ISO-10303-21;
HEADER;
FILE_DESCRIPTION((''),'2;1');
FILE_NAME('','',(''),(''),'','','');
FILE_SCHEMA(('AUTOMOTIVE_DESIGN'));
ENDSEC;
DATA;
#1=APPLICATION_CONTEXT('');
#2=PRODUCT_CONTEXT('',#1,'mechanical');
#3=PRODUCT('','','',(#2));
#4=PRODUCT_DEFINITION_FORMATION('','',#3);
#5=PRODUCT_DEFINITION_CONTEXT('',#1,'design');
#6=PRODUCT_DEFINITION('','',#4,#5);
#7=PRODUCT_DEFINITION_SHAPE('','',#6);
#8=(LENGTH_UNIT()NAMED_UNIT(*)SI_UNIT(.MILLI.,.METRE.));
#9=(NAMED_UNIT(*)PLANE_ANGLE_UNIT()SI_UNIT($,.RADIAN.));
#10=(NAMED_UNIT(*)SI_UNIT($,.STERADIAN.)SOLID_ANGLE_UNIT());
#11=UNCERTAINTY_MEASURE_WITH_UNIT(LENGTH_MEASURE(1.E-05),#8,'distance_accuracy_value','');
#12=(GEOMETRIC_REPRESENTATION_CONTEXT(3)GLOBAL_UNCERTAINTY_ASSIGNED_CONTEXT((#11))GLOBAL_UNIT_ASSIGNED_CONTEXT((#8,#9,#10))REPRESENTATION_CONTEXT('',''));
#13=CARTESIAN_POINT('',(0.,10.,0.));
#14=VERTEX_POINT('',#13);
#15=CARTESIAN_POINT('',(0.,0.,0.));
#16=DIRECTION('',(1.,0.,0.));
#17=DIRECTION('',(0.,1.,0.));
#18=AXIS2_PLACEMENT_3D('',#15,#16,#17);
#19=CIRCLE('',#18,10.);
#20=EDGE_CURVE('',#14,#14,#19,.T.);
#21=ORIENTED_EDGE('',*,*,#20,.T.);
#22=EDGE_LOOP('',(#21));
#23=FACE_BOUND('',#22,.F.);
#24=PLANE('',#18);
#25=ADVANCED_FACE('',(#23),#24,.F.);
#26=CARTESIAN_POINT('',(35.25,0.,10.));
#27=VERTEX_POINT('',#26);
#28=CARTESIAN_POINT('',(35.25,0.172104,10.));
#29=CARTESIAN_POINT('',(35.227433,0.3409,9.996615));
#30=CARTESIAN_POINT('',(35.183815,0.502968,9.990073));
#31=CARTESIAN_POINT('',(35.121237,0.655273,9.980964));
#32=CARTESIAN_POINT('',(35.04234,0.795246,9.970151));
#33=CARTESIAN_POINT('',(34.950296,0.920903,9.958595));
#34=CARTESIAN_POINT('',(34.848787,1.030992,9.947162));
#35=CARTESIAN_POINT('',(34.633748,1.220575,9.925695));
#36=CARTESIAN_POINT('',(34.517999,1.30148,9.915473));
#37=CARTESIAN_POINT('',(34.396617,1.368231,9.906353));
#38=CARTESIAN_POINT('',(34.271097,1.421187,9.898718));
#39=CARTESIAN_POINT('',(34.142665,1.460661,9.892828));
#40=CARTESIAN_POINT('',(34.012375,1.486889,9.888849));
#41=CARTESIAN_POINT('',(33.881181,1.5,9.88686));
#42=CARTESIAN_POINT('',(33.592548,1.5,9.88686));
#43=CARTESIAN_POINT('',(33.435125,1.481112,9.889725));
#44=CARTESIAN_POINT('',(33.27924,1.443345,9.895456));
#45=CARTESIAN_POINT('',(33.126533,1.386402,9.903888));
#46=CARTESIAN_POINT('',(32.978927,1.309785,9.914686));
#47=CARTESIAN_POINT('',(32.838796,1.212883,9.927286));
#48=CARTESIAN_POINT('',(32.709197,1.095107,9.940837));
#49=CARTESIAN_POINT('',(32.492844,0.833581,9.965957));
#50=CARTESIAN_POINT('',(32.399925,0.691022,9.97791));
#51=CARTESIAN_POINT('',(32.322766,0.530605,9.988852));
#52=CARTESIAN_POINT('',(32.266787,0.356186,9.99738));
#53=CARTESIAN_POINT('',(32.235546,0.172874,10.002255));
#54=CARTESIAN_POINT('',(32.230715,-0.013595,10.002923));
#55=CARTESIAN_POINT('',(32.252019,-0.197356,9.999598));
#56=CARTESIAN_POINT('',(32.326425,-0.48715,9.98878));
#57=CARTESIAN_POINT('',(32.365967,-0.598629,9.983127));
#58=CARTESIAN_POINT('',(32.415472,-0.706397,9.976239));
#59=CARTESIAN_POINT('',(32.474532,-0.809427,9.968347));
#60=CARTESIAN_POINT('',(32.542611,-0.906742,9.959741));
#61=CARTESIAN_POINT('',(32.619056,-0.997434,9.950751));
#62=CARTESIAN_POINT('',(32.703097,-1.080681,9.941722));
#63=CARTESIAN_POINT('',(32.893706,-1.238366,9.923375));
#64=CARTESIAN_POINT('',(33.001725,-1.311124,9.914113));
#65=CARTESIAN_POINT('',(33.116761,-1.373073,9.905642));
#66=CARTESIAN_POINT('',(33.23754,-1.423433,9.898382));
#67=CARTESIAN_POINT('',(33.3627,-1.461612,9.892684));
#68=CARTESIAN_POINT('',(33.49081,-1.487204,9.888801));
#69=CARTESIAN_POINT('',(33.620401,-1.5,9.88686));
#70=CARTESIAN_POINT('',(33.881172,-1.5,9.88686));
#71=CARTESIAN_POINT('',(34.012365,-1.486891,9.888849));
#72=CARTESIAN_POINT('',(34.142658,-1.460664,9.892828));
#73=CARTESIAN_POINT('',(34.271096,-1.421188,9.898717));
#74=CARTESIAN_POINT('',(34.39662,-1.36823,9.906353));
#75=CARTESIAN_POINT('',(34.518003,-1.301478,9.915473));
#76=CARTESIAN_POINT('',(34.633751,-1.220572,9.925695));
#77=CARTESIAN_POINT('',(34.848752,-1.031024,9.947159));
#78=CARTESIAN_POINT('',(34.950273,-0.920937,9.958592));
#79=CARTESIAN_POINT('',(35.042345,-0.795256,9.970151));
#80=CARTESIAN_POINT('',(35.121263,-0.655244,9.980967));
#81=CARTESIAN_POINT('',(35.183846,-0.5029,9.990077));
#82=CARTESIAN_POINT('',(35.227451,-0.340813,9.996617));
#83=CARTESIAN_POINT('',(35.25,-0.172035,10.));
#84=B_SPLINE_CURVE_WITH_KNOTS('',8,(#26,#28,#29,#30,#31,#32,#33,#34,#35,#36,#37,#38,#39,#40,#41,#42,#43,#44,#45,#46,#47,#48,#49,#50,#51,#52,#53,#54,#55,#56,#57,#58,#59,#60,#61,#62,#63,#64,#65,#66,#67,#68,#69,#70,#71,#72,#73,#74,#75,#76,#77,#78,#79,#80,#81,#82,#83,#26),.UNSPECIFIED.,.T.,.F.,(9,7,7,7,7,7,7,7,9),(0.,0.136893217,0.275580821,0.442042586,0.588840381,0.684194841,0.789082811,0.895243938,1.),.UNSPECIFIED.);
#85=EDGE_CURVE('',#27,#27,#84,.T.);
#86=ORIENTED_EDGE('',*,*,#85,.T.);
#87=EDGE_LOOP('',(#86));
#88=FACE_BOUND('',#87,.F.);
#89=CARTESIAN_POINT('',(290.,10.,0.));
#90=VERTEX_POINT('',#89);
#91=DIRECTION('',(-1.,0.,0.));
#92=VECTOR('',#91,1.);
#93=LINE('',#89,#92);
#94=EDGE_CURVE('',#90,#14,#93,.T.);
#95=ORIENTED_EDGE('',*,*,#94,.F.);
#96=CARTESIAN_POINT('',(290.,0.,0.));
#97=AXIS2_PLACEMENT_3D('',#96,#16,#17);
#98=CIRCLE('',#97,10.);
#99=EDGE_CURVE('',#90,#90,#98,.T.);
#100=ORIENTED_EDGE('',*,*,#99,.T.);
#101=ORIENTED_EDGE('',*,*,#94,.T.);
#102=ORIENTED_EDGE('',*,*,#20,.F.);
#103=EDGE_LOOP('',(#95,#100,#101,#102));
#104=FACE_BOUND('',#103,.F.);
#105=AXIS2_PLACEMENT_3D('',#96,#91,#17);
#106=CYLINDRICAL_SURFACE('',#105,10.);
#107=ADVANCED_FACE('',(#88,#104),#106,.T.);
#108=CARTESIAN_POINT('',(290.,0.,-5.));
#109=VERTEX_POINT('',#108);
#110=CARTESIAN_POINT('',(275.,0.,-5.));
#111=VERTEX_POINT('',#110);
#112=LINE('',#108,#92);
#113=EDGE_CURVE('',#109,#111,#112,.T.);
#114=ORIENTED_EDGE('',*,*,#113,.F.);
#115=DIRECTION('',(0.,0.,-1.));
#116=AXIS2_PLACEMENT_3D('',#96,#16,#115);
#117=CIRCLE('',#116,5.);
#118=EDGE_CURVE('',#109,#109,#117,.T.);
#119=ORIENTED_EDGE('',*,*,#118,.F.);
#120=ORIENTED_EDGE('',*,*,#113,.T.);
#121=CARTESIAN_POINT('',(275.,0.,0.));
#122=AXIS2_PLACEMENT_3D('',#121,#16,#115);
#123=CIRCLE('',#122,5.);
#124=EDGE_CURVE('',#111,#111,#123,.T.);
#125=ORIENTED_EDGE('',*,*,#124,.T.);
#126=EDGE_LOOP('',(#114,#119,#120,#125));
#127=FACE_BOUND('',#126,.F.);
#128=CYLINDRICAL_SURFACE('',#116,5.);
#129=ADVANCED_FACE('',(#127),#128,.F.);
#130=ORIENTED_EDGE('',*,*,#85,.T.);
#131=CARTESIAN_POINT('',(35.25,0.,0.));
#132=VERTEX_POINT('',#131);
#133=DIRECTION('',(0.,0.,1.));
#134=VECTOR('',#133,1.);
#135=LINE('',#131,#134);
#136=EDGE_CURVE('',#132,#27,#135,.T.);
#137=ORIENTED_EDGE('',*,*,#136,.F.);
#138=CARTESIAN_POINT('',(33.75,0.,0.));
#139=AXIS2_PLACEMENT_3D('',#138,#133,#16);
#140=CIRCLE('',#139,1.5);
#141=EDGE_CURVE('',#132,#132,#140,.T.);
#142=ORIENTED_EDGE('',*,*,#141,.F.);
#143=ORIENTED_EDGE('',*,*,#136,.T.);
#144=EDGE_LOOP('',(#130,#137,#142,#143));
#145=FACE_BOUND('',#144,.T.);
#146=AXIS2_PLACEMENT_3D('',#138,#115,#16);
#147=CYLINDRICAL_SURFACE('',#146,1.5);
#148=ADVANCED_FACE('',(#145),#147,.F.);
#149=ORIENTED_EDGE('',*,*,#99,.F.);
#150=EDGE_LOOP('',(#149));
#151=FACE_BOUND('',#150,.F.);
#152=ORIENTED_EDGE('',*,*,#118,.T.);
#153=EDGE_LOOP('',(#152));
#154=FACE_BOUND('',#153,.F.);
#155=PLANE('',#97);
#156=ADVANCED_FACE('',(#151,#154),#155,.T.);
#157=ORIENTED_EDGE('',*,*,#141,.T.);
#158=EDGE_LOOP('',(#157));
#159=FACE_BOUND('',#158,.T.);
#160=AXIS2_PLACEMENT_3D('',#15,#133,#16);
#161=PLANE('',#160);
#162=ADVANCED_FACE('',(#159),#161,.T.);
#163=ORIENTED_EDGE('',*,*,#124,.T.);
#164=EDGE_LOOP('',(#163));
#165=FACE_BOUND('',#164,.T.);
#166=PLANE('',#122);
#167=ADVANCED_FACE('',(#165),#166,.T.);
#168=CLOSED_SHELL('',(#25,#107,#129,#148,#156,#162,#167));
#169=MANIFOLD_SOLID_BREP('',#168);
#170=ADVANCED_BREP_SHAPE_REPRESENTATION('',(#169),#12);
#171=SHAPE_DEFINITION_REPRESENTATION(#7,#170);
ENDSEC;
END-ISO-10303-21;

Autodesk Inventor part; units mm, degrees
ref_plane "YZ Plane" through (0, 0, 0) normal (1, 0, 0) x (0, 1, 0)
ref_plane "XZ Plane" through (0, 0, 0) normal (0, 1, 0) x (-1, 0, 0)
ref_plane "XY Plane" through (0, 0, 0) normal (0, 0, 1) x (1, 0, 0)
sketch "Boceto1" plane through (0, 0, 0) normal (0, 0, 1) x (1, 0, 0)
  line L0 (0, 0) -> (290, 0)
  line L1 (290, 0) -> (290, 10)
  line L2 (0, 10) -> (0, 0)
  line L3 (290, 10) -> (0, 10)
  dimension "d0" = 10
  dimension "d1" = 290
revolve "Revolución1" add sketch "Boceto1" angle 360 about axis through (0, 0, 0) along (1, 0, 0)
sketch "Boceto3" plane through (290, 0, 0) normal (1, 0, 0) x (0, 0, -1)
  circle A0 centre (0, 0) radius 5
  dimension "d10" = 10
extrude "Extrusión2" cut sketch "Boceto3" against normal blind 15
thread "Rosca1" size "M10x1.5" class "6H" standard "ANSI Metric M Profile" full length
sketch "Sketch4" plane through (0, 0, 0) normal (0, 0, 1) x (1, 0, 0)
  circle A0 centre (33.75, 0) radius 1.5
  line L0 (0, -10) -> (0, 10) projected
  point P0 (0, 0)
  dimension "d15" = 3
  dimension "d16" = 33.75
extrude "Extrusion3" cut sketch "Sketch4" along normal blind 33.75
thread "Thread2" size "M3x0.5" class "6H" standard "ANSI Metric M Profile" full length
equation "\"d17\" = d16"
properties part number "Eje_Base" material "Acero, carbono"
